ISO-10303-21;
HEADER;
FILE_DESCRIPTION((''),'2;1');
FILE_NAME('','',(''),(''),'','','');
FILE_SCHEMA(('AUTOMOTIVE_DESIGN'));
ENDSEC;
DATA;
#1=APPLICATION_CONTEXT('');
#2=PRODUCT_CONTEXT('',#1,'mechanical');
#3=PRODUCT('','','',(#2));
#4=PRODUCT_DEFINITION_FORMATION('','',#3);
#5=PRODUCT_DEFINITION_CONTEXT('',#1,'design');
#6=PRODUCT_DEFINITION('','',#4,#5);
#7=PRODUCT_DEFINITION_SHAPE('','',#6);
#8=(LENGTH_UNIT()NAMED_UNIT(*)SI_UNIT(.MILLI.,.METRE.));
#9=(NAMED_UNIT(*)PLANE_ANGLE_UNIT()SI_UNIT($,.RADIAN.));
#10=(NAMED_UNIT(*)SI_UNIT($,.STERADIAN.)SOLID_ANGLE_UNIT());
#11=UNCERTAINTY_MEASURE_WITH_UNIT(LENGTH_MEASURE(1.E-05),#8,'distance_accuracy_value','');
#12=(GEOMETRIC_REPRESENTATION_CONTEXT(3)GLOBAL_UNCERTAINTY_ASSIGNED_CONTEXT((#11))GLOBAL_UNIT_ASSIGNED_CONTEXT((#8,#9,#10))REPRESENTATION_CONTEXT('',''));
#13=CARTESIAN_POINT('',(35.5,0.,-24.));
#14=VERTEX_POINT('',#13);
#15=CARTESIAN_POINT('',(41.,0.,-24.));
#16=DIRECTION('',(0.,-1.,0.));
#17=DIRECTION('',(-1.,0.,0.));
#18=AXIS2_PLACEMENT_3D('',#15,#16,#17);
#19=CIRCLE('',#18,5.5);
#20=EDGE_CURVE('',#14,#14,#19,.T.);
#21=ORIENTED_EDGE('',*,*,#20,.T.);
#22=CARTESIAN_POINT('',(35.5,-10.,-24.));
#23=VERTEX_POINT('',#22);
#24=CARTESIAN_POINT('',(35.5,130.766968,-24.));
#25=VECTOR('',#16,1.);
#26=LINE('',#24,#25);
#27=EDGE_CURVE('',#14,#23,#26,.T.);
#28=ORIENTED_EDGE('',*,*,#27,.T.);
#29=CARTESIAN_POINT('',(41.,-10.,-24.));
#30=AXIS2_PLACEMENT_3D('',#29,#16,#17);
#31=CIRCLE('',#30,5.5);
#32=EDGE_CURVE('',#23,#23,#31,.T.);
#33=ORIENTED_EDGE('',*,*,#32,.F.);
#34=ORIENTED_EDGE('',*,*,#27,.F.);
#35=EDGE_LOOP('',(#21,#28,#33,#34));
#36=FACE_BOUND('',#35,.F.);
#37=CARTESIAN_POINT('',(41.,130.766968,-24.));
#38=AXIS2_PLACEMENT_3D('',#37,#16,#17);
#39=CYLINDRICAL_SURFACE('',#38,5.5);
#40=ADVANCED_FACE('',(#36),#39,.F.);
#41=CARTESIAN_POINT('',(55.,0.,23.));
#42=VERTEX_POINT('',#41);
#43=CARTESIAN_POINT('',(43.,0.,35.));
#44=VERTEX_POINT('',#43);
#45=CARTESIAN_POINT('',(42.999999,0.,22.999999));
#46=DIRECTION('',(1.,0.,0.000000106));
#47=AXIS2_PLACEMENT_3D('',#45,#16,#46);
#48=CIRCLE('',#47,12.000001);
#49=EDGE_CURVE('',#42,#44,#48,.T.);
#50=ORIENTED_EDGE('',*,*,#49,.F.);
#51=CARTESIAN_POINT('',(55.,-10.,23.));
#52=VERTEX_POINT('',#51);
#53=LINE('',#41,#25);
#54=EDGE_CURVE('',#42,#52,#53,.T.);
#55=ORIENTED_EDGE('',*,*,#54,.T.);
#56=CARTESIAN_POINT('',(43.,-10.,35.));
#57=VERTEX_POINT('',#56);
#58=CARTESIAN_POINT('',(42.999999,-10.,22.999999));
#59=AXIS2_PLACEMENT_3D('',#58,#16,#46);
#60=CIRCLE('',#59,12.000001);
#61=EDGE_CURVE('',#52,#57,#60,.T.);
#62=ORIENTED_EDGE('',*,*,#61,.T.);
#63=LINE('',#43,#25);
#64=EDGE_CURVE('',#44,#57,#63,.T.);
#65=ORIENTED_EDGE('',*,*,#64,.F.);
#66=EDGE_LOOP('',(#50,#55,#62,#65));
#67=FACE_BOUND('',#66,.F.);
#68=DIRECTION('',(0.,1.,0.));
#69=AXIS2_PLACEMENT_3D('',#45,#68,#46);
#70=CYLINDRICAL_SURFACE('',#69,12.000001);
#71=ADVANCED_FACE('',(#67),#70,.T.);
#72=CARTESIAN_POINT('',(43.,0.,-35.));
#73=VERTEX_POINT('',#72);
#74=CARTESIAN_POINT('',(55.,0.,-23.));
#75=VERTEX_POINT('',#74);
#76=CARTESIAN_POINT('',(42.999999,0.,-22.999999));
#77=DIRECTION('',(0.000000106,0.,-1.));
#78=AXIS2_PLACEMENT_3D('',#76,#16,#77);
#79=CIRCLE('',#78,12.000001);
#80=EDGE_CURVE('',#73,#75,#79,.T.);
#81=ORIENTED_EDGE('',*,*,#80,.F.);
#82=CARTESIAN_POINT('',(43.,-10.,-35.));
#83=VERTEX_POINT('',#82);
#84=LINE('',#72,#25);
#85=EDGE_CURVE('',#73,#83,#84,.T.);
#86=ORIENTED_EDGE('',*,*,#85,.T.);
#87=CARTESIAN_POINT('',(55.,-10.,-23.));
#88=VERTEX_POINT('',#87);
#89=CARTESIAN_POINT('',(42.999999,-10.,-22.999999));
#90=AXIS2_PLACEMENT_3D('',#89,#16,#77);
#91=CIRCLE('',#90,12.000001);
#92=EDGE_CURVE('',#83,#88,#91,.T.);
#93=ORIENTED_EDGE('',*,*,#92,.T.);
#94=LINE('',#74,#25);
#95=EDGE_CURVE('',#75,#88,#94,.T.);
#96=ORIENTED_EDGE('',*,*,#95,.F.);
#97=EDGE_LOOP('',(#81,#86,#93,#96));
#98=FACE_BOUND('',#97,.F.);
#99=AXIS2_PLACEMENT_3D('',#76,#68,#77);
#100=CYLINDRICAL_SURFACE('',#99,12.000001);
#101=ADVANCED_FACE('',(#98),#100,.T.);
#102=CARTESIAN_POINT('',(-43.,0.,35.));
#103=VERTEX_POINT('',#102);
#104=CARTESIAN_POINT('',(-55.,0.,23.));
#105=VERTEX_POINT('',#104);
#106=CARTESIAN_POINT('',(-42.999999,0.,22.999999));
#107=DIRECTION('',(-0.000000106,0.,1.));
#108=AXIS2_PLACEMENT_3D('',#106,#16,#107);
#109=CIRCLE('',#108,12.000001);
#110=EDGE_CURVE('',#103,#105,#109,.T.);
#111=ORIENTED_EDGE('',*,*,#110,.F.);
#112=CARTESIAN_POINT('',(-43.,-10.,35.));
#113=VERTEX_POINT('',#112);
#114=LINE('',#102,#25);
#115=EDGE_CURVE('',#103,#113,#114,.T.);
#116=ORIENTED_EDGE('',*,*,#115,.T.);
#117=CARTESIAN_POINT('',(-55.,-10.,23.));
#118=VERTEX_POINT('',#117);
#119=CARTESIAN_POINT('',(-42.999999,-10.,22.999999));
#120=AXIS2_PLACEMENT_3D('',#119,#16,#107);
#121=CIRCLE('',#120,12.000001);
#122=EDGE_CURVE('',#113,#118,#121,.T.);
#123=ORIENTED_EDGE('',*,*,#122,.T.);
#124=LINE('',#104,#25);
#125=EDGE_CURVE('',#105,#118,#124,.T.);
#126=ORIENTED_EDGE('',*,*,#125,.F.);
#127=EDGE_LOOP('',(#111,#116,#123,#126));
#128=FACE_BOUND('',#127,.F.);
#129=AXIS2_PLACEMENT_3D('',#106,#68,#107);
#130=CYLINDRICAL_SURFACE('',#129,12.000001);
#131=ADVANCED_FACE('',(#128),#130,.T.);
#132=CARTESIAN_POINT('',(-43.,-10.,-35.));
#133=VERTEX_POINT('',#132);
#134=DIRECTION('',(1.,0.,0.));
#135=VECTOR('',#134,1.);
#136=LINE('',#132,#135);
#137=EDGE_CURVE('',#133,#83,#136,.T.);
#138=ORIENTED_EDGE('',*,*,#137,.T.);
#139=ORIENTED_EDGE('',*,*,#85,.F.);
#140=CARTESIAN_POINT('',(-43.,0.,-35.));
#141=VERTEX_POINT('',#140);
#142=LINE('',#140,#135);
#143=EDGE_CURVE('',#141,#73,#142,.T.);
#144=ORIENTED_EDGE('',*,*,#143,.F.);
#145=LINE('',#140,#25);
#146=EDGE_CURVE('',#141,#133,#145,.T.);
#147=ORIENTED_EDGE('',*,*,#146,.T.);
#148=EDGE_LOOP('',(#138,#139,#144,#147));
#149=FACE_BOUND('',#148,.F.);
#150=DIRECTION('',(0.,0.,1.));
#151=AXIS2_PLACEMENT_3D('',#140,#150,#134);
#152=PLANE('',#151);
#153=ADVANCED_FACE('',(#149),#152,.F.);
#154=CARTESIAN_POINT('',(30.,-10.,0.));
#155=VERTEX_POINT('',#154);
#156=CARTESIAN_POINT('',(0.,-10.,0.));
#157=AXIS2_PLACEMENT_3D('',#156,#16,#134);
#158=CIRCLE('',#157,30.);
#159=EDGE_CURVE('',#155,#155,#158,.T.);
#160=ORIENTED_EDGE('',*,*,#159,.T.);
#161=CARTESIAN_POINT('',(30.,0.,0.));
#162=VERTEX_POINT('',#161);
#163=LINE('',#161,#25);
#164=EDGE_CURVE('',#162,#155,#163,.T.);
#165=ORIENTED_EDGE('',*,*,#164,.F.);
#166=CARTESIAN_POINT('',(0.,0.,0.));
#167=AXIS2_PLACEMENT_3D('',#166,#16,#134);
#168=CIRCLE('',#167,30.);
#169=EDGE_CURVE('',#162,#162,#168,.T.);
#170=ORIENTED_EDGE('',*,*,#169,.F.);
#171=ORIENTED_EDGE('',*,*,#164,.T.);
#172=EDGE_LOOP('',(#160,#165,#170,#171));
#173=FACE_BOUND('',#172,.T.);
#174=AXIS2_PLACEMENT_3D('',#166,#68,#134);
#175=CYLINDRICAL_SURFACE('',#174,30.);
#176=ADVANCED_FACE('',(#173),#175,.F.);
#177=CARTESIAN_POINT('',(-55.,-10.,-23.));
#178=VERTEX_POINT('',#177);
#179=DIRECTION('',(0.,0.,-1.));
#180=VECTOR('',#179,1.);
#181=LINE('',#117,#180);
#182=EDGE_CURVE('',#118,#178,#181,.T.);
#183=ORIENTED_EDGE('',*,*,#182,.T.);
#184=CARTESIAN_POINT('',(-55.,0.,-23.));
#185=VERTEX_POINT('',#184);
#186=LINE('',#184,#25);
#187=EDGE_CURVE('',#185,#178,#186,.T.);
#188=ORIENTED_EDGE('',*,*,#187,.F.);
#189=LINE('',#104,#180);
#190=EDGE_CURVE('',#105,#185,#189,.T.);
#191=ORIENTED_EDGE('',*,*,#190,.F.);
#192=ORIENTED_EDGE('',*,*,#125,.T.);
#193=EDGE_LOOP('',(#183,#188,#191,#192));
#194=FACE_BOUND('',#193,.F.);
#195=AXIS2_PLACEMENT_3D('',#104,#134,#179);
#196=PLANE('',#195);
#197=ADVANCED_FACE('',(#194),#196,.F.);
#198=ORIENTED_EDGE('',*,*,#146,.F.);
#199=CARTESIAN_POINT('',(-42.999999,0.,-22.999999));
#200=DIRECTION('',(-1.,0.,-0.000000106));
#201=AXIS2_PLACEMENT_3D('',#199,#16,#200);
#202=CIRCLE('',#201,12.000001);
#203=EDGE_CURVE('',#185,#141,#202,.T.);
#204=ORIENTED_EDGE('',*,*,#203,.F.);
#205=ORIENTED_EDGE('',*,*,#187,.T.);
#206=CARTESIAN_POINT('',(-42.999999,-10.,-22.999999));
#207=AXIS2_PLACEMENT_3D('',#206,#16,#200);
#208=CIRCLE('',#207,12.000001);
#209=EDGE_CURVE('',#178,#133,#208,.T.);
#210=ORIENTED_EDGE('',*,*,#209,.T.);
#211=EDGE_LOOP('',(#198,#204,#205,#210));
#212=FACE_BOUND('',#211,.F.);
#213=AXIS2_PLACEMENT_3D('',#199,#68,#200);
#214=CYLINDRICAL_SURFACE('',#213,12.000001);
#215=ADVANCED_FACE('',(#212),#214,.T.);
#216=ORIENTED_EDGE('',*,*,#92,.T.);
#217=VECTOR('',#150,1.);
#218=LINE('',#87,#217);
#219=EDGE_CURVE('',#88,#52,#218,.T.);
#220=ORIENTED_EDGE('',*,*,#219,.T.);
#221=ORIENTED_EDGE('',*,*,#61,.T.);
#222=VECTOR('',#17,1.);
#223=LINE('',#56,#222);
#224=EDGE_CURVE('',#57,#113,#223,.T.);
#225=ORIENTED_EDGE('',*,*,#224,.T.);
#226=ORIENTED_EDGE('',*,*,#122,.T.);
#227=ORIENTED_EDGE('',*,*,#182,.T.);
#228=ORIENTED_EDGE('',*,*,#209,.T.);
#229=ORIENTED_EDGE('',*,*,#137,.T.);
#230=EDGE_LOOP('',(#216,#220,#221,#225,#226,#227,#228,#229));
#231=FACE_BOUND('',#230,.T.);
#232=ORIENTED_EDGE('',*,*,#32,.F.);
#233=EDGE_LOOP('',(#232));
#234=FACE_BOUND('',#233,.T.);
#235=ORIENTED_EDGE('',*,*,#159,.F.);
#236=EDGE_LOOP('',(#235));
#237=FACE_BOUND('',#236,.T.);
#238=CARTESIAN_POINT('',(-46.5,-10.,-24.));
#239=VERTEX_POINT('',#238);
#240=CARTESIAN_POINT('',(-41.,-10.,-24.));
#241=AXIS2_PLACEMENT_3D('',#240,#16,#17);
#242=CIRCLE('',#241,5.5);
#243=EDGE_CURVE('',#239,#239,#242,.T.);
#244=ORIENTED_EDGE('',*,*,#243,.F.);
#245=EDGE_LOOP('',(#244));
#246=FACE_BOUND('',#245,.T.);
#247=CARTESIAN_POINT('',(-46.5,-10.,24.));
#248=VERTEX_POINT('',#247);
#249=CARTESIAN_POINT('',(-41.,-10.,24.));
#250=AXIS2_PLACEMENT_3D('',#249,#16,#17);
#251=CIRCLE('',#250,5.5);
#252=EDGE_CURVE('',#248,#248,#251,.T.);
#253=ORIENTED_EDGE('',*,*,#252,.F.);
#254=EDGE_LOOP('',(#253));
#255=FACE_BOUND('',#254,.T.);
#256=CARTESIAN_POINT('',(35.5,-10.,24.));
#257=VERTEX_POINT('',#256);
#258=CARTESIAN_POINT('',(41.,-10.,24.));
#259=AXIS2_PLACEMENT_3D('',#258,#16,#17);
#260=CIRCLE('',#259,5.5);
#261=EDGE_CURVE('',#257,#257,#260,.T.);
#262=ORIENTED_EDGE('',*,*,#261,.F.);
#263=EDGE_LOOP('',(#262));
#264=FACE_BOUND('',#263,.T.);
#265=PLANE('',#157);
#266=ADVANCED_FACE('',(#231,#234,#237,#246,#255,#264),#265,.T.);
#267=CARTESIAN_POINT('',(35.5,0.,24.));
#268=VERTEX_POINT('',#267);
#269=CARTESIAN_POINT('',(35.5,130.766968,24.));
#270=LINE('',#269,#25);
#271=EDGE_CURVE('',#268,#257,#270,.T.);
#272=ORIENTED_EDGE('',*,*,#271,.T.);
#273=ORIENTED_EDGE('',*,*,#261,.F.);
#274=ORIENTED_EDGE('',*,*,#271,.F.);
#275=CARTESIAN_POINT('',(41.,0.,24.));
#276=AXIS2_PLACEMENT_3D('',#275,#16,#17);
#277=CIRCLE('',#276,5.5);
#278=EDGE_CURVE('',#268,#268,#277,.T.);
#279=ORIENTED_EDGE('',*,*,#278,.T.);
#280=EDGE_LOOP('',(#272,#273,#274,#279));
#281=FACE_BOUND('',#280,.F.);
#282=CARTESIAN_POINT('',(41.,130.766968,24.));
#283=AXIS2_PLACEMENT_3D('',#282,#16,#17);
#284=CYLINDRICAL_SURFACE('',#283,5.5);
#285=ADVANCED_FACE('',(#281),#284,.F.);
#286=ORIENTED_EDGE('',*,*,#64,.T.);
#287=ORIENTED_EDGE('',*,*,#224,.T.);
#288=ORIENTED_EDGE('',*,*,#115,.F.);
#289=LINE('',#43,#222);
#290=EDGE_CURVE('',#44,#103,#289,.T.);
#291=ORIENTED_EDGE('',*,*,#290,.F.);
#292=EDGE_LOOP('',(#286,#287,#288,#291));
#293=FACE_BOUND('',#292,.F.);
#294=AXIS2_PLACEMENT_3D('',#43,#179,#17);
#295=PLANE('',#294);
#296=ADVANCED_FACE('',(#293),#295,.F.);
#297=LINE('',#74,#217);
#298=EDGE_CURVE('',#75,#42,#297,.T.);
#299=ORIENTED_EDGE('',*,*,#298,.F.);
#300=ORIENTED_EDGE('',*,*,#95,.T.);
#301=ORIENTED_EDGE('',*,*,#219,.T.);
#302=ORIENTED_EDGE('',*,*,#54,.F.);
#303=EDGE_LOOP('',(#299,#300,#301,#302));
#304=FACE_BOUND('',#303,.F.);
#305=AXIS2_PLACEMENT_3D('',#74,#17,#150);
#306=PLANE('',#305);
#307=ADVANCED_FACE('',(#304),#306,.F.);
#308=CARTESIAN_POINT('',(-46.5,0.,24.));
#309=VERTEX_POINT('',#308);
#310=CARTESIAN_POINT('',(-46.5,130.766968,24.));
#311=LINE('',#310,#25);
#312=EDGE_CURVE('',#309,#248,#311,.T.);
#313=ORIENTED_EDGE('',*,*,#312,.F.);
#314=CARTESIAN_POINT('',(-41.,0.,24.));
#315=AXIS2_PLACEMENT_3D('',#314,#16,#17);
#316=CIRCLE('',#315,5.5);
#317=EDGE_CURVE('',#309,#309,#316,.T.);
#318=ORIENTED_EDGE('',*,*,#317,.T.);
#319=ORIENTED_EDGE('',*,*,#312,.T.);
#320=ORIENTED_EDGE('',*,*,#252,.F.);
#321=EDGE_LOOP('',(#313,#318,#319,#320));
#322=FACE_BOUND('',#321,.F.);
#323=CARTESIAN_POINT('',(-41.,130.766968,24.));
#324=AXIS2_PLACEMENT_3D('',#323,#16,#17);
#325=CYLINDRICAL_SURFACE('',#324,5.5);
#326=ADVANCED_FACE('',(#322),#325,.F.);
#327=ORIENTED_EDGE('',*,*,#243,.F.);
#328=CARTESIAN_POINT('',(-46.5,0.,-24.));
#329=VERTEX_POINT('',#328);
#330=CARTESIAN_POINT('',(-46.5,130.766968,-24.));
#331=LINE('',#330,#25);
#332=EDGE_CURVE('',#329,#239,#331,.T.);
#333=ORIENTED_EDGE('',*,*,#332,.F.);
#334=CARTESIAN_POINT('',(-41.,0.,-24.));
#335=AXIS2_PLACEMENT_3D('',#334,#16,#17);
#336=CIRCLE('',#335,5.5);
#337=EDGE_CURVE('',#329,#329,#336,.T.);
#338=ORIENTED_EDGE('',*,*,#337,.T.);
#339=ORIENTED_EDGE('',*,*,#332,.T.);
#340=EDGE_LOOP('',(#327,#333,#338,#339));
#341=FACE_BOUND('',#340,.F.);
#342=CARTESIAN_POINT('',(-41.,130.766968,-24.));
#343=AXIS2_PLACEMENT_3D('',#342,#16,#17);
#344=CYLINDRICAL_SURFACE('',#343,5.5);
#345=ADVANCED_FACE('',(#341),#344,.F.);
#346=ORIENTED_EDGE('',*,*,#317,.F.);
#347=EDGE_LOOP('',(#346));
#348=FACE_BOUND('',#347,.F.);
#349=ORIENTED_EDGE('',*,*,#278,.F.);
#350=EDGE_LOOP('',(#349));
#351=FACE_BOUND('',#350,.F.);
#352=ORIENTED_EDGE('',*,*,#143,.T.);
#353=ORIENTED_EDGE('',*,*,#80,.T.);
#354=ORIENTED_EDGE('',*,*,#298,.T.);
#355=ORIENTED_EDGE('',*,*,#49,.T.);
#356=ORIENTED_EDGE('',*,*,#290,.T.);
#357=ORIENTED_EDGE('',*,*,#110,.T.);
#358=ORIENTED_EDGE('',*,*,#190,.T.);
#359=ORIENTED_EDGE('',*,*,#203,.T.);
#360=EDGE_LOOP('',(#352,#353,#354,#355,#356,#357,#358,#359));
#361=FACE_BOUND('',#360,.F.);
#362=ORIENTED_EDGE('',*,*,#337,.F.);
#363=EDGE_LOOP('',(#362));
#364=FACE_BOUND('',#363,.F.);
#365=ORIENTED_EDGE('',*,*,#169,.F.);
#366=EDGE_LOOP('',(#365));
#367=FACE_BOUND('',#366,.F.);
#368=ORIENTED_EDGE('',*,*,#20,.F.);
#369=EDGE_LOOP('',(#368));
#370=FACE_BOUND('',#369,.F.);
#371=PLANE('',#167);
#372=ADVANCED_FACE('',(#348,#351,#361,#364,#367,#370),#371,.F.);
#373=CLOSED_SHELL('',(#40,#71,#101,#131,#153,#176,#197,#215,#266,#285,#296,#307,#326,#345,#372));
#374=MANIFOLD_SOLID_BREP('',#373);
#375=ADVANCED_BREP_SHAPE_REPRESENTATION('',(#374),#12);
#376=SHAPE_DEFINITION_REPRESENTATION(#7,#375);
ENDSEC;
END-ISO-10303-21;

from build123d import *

# Parameters (mm, degrees)
F0_R     = 30
F1_DEPTH = 10
F2_D     = 11


with BuildPart() as f1:
    # F0 (on Front) → F1 (new body)
    with BuildSketch(Plane.XZ):
        with BuildLine():
            ThreePointArc((55, 23), (51.485281, 31.485281), (43, 35))
            Line((43, 35), (-43, 35))
            ThreePointArc((-43, 35), (-51.485281, 31.485281), (-55, 23))
            Line((-55, 23), (-55, -23))
            ThreePointArc((-55, -23), (-51.485281, -31.485281), (-43, -35))
            Line((-43, -35), (43, -35))
            ThreePointArc((43, -35), (51.485281, -31.485281), (55, -23))
            Line((55, -23), (55, 23))
        make_face()
        Circle(F0_R, mode=Mode.SUBTRACT)
    extrude(amount=F1_DEPTH)

    # F2 (through all)
    with Locations(Plane(origin=(0, 0, 0), x_dir=(1, 0, 0), z_dir=(0, 1, 0))):
        with Locations((-41, 24), (41, 24), (41, -24), (-41, -24)):
            Hole(F2_D / 2)


solid = f1.part
